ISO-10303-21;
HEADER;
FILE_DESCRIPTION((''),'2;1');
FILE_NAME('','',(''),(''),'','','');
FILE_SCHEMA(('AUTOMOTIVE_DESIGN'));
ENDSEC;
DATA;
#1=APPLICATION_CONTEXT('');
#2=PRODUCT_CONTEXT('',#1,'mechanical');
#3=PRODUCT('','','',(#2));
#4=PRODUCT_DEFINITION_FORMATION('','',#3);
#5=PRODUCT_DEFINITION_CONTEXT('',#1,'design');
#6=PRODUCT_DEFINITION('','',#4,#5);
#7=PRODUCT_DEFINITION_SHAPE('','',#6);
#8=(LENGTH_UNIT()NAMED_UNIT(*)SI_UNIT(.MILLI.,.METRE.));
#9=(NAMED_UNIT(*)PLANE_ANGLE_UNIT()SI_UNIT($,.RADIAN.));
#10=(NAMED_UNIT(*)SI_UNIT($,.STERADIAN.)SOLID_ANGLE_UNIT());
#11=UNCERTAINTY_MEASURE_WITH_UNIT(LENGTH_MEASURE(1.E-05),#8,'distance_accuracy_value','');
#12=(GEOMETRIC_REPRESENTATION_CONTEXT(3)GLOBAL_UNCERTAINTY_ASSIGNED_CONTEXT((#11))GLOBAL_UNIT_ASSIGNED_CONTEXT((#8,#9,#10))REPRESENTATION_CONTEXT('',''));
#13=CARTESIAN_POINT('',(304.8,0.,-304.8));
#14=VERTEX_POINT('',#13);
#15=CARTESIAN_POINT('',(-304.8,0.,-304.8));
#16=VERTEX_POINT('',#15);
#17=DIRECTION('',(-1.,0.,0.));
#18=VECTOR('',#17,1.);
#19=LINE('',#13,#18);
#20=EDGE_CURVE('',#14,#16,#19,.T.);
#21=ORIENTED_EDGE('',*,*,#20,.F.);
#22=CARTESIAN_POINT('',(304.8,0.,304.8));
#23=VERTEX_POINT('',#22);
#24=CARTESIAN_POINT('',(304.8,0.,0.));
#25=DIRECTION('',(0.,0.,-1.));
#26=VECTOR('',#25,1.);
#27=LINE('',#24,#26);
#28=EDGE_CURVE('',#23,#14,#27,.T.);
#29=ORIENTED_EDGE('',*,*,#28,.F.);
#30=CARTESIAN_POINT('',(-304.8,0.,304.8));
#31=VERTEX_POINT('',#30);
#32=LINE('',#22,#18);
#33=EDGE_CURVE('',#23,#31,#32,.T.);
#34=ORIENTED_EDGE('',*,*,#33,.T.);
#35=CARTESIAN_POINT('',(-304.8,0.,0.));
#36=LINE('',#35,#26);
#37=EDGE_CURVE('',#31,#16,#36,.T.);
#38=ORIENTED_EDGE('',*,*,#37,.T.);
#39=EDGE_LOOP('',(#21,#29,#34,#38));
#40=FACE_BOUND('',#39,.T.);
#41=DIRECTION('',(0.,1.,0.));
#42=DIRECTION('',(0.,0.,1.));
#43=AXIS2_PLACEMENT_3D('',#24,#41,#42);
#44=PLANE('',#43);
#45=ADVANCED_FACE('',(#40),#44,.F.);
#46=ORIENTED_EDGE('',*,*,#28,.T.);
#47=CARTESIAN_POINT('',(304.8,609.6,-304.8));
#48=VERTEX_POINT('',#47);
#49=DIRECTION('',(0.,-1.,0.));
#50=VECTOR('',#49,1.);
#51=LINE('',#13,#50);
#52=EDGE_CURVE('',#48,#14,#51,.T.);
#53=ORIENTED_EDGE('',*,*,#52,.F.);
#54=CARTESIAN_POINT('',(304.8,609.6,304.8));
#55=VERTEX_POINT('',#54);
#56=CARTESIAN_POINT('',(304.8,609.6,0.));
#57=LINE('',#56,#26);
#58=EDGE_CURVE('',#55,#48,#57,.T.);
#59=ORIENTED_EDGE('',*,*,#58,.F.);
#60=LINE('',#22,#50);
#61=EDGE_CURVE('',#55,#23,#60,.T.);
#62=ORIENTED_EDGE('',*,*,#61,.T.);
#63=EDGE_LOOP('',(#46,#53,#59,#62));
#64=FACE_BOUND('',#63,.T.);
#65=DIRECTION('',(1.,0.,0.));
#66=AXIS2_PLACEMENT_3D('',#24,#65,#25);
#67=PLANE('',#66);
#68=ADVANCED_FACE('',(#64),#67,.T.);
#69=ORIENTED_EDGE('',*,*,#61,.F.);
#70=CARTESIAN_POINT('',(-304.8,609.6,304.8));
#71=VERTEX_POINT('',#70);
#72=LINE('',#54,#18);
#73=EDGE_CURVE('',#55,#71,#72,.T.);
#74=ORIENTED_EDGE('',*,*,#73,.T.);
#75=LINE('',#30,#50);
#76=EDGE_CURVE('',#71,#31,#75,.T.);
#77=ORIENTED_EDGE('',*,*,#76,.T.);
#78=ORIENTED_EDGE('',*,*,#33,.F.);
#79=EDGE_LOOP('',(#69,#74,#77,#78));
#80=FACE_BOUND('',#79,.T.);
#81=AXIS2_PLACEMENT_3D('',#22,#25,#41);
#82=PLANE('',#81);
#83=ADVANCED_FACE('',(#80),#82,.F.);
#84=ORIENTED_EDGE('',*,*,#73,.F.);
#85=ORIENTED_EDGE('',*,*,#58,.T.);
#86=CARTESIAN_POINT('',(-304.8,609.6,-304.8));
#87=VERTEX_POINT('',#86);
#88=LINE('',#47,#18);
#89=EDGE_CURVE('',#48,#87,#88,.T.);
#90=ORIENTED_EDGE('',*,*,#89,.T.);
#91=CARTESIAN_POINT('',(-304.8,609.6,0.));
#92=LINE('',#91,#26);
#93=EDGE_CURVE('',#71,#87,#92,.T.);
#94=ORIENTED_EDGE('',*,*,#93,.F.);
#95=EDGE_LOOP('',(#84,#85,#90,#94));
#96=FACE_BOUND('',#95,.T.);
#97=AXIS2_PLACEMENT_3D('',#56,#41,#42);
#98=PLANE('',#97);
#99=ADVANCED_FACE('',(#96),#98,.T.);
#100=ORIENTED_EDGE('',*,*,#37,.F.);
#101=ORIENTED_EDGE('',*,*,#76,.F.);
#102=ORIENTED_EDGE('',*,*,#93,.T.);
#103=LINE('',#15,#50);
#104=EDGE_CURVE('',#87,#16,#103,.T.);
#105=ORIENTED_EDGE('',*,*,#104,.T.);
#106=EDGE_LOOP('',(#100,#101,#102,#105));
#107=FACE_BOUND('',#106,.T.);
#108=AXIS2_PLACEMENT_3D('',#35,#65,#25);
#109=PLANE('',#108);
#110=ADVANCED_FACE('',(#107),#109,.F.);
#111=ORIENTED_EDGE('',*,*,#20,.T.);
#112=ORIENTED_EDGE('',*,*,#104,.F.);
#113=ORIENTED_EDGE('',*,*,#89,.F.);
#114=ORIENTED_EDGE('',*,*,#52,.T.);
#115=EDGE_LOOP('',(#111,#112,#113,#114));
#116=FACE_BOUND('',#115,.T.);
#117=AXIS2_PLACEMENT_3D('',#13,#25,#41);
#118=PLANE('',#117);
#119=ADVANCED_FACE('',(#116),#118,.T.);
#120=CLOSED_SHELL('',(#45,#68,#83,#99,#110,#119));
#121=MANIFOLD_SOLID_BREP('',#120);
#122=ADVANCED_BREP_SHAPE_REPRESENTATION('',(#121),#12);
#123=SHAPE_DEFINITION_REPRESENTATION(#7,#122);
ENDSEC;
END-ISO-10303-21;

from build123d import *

# Parameters (mm, degrees)
ZY_BOUNDING_W       = 609.6
ZY_BOUNDING_H       = 609.6
BOSS_EXTRUDE1_DEPTH = 304.8


with BuildPart() as part:
    # zy bounding → Boss-Extrude1 (new body, symmetric)
    with BuildSketch(Plane(origin=(0, 0, 0), x_dir=(0, 0, -1), z_dir=(1, 0, 0))):
        with Locations((0, 304.8)):
            Rectangle(ZY_BOUNDING_W, ZY_BOUNDING_H)
    extrude(amount=BOSS_EXTRUDE1_DEPTH, both=True)


solid = part.part
